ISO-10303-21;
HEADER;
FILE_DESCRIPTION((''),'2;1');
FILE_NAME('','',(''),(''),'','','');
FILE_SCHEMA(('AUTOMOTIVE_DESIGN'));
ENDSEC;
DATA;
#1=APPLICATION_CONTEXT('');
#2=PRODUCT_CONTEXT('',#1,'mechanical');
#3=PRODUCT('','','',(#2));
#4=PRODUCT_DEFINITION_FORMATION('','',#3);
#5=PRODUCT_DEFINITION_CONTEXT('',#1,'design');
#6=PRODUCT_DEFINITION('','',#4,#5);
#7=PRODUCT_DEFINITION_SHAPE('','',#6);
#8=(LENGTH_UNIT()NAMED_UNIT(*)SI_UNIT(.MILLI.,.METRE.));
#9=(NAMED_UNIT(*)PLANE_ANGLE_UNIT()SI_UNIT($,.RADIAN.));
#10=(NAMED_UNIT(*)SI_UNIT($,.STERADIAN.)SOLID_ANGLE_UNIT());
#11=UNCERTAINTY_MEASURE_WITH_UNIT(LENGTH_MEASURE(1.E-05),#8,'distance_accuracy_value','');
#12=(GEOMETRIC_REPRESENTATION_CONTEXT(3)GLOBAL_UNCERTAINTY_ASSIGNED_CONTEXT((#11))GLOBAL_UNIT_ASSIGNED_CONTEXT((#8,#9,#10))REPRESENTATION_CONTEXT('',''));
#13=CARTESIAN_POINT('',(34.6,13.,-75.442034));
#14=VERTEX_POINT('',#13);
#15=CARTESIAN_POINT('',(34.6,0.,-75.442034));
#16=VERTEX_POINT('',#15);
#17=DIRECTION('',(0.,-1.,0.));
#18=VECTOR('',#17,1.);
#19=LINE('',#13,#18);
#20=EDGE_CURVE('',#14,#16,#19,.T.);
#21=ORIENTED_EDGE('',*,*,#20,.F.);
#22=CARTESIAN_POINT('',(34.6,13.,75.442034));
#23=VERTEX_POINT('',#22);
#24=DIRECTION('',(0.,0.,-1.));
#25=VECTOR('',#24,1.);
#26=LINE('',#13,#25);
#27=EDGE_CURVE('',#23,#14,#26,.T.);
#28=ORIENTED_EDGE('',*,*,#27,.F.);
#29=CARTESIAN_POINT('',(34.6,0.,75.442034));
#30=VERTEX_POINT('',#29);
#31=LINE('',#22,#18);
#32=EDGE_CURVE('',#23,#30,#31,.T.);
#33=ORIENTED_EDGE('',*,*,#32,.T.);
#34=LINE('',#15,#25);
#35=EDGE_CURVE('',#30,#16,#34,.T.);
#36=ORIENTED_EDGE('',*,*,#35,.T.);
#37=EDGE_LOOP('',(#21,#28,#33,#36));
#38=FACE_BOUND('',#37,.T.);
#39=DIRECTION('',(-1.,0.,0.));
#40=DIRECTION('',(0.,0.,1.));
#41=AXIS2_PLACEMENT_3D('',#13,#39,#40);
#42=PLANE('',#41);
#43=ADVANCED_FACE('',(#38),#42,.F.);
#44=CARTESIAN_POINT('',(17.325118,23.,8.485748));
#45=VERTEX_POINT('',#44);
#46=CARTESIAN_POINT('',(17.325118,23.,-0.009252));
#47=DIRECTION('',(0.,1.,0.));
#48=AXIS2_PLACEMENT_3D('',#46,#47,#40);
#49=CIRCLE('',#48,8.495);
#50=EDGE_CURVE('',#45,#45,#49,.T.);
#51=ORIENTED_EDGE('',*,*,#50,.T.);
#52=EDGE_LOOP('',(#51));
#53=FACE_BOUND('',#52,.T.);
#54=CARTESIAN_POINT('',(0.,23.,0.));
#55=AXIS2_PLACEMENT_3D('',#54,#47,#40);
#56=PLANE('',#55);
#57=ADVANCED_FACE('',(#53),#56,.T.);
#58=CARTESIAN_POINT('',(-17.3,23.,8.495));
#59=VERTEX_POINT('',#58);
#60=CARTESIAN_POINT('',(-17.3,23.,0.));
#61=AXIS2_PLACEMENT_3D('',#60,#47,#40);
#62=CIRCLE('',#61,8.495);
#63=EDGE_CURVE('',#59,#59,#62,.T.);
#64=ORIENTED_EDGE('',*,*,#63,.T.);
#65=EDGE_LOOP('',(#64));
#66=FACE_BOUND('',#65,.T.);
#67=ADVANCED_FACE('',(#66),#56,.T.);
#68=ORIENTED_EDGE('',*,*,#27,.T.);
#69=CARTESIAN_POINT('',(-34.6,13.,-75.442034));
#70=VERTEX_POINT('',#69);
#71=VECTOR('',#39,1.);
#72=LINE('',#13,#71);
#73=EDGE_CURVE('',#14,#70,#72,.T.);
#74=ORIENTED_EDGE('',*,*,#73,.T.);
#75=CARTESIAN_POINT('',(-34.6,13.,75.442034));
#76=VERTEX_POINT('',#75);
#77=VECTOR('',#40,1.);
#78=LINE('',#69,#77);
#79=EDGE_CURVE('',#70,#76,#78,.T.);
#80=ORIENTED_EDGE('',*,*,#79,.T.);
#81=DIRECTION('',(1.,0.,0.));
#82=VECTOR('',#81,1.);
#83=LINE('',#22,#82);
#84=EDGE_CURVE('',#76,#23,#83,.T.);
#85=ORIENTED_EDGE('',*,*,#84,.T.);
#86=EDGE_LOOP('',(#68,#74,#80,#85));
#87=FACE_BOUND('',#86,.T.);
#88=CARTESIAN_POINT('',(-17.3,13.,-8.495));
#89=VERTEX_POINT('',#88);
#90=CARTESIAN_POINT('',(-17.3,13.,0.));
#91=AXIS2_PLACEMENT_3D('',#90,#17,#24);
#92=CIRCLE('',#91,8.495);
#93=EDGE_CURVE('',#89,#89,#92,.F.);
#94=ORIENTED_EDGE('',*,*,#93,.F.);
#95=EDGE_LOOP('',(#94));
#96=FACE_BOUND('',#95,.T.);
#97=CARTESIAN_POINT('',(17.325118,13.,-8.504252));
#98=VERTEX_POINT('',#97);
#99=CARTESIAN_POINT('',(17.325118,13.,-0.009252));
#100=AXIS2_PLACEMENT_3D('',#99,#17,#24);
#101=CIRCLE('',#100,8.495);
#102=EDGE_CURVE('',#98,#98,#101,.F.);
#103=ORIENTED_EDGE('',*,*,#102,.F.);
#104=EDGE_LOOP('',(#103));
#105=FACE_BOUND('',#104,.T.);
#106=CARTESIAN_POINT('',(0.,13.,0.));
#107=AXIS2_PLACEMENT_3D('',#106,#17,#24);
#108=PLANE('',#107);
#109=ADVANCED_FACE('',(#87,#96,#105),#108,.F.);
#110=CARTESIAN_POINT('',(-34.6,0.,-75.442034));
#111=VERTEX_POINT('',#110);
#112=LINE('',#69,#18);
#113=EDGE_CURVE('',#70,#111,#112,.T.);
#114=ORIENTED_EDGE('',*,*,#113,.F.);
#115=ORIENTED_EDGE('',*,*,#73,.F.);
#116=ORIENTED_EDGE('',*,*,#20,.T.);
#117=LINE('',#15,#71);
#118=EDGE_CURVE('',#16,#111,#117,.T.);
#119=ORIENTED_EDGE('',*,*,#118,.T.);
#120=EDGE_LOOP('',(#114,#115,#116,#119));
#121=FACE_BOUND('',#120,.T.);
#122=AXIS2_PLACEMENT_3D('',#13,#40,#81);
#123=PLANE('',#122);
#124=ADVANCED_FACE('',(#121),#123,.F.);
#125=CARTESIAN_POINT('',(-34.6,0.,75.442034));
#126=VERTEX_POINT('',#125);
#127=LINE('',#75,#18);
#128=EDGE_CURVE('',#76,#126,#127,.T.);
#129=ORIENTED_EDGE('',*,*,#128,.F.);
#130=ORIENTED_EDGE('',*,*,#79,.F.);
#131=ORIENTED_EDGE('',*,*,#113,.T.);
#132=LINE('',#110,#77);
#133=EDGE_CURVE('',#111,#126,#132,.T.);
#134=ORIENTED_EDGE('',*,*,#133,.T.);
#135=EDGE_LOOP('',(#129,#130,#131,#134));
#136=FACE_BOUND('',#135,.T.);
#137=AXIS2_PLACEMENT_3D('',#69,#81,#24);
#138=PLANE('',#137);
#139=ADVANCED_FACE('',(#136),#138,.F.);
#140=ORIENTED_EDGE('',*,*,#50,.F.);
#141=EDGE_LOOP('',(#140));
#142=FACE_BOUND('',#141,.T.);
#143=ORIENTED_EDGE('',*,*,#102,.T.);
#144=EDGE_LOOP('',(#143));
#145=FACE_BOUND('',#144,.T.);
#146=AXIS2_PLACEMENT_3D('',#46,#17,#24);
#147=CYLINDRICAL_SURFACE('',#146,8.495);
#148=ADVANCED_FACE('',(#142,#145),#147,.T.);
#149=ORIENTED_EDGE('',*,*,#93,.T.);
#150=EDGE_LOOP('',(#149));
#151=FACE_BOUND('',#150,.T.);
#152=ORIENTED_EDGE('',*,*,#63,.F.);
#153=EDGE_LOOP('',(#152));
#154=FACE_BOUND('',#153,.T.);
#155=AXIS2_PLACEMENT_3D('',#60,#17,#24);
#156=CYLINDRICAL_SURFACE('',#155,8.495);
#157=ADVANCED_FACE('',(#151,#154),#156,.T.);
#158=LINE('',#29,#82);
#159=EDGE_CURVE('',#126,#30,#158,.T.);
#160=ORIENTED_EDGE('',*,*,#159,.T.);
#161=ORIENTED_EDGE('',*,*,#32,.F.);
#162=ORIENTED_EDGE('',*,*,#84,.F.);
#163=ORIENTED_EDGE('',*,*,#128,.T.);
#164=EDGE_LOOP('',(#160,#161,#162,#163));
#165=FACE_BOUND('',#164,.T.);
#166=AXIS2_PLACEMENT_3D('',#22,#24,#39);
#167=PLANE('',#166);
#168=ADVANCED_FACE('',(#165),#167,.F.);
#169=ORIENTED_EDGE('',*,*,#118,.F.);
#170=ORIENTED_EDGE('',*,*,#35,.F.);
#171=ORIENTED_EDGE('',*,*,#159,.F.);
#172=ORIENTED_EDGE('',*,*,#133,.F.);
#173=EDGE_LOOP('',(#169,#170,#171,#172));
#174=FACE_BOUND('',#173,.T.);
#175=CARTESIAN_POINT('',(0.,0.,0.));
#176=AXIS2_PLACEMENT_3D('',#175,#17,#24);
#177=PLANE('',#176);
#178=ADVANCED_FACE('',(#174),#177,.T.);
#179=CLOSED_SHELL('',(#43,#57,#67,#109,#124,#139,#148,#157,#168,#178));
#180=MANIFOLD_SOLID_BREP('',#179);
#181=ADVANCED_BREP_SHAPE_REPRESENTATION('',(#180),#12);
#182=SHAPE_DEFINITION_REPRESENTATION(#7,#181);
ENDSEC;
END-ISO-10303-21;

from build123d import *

# Parameters (mm, degrees)
SKETCH1_W           = 69.2
SKETCH1_H           = 150.88406761
BOSS_EXTRUDE1_DEPTH = 13
BOSS_EXTRUDE2_DEPTH = 10


with BuildPart() as part:
    # Sketch1 → Boss-Extrude1 (new body)
    with BuildSketch(Plane(origin=(0, 0, 0), x_dir=(1, 0, 0), z_dir=(0, 1, 0))):
        Rectangle(SKETCH1_W, SKETCH1_H)
    extrude(amount=BOSS_EXTRUDE1_DEPTH)

    # Sketch2 → Boss-Extrude2 (add)
    with BuildSketch(Plane(origin=(0, 13, 0), x_dir=(1, 0, 0), z_dir=(0, 1, 0))):
        with BuildLine():
            ThreePointArc((-25.795, 0), (-17.3, -8.495), (-8.805, 0))
            Line((-8.805, 0), (-25.795, 0))
        make_face()
        with BuildLine():
            Line((-25.795, 0), (-8.805, 0))
            ThreePointArc((-8.805, 0), (-17.3, 8.495), (-25.795, 0))
        make_face()
        with BuildLine():
            ThreePointArc((25.820118221, 0.00925204), (17.327393087, 8.504251736), (8.83011944, 0.013801772))
            Line((8.83011944, 0.013801772), (25.820117003, 0.004702309))
            ThreePointArc((25.820117003, 0.004702309), (25.820117917, 0.006977175), (25.820118221, 0.00925204))
        make_face()
        with BuildLine():
            Line((25.820117003, 0.004702309), (8.83011944, 0.013801772))
            ThreePointArc((8.83011944, 0.013801772), (17.32056849, -8.485746741), (25.820117003, 0.004702309))
        make_face()
    extrude(amount=BOSS_EXTRUDE2_DEPTH)


solid = part.part
